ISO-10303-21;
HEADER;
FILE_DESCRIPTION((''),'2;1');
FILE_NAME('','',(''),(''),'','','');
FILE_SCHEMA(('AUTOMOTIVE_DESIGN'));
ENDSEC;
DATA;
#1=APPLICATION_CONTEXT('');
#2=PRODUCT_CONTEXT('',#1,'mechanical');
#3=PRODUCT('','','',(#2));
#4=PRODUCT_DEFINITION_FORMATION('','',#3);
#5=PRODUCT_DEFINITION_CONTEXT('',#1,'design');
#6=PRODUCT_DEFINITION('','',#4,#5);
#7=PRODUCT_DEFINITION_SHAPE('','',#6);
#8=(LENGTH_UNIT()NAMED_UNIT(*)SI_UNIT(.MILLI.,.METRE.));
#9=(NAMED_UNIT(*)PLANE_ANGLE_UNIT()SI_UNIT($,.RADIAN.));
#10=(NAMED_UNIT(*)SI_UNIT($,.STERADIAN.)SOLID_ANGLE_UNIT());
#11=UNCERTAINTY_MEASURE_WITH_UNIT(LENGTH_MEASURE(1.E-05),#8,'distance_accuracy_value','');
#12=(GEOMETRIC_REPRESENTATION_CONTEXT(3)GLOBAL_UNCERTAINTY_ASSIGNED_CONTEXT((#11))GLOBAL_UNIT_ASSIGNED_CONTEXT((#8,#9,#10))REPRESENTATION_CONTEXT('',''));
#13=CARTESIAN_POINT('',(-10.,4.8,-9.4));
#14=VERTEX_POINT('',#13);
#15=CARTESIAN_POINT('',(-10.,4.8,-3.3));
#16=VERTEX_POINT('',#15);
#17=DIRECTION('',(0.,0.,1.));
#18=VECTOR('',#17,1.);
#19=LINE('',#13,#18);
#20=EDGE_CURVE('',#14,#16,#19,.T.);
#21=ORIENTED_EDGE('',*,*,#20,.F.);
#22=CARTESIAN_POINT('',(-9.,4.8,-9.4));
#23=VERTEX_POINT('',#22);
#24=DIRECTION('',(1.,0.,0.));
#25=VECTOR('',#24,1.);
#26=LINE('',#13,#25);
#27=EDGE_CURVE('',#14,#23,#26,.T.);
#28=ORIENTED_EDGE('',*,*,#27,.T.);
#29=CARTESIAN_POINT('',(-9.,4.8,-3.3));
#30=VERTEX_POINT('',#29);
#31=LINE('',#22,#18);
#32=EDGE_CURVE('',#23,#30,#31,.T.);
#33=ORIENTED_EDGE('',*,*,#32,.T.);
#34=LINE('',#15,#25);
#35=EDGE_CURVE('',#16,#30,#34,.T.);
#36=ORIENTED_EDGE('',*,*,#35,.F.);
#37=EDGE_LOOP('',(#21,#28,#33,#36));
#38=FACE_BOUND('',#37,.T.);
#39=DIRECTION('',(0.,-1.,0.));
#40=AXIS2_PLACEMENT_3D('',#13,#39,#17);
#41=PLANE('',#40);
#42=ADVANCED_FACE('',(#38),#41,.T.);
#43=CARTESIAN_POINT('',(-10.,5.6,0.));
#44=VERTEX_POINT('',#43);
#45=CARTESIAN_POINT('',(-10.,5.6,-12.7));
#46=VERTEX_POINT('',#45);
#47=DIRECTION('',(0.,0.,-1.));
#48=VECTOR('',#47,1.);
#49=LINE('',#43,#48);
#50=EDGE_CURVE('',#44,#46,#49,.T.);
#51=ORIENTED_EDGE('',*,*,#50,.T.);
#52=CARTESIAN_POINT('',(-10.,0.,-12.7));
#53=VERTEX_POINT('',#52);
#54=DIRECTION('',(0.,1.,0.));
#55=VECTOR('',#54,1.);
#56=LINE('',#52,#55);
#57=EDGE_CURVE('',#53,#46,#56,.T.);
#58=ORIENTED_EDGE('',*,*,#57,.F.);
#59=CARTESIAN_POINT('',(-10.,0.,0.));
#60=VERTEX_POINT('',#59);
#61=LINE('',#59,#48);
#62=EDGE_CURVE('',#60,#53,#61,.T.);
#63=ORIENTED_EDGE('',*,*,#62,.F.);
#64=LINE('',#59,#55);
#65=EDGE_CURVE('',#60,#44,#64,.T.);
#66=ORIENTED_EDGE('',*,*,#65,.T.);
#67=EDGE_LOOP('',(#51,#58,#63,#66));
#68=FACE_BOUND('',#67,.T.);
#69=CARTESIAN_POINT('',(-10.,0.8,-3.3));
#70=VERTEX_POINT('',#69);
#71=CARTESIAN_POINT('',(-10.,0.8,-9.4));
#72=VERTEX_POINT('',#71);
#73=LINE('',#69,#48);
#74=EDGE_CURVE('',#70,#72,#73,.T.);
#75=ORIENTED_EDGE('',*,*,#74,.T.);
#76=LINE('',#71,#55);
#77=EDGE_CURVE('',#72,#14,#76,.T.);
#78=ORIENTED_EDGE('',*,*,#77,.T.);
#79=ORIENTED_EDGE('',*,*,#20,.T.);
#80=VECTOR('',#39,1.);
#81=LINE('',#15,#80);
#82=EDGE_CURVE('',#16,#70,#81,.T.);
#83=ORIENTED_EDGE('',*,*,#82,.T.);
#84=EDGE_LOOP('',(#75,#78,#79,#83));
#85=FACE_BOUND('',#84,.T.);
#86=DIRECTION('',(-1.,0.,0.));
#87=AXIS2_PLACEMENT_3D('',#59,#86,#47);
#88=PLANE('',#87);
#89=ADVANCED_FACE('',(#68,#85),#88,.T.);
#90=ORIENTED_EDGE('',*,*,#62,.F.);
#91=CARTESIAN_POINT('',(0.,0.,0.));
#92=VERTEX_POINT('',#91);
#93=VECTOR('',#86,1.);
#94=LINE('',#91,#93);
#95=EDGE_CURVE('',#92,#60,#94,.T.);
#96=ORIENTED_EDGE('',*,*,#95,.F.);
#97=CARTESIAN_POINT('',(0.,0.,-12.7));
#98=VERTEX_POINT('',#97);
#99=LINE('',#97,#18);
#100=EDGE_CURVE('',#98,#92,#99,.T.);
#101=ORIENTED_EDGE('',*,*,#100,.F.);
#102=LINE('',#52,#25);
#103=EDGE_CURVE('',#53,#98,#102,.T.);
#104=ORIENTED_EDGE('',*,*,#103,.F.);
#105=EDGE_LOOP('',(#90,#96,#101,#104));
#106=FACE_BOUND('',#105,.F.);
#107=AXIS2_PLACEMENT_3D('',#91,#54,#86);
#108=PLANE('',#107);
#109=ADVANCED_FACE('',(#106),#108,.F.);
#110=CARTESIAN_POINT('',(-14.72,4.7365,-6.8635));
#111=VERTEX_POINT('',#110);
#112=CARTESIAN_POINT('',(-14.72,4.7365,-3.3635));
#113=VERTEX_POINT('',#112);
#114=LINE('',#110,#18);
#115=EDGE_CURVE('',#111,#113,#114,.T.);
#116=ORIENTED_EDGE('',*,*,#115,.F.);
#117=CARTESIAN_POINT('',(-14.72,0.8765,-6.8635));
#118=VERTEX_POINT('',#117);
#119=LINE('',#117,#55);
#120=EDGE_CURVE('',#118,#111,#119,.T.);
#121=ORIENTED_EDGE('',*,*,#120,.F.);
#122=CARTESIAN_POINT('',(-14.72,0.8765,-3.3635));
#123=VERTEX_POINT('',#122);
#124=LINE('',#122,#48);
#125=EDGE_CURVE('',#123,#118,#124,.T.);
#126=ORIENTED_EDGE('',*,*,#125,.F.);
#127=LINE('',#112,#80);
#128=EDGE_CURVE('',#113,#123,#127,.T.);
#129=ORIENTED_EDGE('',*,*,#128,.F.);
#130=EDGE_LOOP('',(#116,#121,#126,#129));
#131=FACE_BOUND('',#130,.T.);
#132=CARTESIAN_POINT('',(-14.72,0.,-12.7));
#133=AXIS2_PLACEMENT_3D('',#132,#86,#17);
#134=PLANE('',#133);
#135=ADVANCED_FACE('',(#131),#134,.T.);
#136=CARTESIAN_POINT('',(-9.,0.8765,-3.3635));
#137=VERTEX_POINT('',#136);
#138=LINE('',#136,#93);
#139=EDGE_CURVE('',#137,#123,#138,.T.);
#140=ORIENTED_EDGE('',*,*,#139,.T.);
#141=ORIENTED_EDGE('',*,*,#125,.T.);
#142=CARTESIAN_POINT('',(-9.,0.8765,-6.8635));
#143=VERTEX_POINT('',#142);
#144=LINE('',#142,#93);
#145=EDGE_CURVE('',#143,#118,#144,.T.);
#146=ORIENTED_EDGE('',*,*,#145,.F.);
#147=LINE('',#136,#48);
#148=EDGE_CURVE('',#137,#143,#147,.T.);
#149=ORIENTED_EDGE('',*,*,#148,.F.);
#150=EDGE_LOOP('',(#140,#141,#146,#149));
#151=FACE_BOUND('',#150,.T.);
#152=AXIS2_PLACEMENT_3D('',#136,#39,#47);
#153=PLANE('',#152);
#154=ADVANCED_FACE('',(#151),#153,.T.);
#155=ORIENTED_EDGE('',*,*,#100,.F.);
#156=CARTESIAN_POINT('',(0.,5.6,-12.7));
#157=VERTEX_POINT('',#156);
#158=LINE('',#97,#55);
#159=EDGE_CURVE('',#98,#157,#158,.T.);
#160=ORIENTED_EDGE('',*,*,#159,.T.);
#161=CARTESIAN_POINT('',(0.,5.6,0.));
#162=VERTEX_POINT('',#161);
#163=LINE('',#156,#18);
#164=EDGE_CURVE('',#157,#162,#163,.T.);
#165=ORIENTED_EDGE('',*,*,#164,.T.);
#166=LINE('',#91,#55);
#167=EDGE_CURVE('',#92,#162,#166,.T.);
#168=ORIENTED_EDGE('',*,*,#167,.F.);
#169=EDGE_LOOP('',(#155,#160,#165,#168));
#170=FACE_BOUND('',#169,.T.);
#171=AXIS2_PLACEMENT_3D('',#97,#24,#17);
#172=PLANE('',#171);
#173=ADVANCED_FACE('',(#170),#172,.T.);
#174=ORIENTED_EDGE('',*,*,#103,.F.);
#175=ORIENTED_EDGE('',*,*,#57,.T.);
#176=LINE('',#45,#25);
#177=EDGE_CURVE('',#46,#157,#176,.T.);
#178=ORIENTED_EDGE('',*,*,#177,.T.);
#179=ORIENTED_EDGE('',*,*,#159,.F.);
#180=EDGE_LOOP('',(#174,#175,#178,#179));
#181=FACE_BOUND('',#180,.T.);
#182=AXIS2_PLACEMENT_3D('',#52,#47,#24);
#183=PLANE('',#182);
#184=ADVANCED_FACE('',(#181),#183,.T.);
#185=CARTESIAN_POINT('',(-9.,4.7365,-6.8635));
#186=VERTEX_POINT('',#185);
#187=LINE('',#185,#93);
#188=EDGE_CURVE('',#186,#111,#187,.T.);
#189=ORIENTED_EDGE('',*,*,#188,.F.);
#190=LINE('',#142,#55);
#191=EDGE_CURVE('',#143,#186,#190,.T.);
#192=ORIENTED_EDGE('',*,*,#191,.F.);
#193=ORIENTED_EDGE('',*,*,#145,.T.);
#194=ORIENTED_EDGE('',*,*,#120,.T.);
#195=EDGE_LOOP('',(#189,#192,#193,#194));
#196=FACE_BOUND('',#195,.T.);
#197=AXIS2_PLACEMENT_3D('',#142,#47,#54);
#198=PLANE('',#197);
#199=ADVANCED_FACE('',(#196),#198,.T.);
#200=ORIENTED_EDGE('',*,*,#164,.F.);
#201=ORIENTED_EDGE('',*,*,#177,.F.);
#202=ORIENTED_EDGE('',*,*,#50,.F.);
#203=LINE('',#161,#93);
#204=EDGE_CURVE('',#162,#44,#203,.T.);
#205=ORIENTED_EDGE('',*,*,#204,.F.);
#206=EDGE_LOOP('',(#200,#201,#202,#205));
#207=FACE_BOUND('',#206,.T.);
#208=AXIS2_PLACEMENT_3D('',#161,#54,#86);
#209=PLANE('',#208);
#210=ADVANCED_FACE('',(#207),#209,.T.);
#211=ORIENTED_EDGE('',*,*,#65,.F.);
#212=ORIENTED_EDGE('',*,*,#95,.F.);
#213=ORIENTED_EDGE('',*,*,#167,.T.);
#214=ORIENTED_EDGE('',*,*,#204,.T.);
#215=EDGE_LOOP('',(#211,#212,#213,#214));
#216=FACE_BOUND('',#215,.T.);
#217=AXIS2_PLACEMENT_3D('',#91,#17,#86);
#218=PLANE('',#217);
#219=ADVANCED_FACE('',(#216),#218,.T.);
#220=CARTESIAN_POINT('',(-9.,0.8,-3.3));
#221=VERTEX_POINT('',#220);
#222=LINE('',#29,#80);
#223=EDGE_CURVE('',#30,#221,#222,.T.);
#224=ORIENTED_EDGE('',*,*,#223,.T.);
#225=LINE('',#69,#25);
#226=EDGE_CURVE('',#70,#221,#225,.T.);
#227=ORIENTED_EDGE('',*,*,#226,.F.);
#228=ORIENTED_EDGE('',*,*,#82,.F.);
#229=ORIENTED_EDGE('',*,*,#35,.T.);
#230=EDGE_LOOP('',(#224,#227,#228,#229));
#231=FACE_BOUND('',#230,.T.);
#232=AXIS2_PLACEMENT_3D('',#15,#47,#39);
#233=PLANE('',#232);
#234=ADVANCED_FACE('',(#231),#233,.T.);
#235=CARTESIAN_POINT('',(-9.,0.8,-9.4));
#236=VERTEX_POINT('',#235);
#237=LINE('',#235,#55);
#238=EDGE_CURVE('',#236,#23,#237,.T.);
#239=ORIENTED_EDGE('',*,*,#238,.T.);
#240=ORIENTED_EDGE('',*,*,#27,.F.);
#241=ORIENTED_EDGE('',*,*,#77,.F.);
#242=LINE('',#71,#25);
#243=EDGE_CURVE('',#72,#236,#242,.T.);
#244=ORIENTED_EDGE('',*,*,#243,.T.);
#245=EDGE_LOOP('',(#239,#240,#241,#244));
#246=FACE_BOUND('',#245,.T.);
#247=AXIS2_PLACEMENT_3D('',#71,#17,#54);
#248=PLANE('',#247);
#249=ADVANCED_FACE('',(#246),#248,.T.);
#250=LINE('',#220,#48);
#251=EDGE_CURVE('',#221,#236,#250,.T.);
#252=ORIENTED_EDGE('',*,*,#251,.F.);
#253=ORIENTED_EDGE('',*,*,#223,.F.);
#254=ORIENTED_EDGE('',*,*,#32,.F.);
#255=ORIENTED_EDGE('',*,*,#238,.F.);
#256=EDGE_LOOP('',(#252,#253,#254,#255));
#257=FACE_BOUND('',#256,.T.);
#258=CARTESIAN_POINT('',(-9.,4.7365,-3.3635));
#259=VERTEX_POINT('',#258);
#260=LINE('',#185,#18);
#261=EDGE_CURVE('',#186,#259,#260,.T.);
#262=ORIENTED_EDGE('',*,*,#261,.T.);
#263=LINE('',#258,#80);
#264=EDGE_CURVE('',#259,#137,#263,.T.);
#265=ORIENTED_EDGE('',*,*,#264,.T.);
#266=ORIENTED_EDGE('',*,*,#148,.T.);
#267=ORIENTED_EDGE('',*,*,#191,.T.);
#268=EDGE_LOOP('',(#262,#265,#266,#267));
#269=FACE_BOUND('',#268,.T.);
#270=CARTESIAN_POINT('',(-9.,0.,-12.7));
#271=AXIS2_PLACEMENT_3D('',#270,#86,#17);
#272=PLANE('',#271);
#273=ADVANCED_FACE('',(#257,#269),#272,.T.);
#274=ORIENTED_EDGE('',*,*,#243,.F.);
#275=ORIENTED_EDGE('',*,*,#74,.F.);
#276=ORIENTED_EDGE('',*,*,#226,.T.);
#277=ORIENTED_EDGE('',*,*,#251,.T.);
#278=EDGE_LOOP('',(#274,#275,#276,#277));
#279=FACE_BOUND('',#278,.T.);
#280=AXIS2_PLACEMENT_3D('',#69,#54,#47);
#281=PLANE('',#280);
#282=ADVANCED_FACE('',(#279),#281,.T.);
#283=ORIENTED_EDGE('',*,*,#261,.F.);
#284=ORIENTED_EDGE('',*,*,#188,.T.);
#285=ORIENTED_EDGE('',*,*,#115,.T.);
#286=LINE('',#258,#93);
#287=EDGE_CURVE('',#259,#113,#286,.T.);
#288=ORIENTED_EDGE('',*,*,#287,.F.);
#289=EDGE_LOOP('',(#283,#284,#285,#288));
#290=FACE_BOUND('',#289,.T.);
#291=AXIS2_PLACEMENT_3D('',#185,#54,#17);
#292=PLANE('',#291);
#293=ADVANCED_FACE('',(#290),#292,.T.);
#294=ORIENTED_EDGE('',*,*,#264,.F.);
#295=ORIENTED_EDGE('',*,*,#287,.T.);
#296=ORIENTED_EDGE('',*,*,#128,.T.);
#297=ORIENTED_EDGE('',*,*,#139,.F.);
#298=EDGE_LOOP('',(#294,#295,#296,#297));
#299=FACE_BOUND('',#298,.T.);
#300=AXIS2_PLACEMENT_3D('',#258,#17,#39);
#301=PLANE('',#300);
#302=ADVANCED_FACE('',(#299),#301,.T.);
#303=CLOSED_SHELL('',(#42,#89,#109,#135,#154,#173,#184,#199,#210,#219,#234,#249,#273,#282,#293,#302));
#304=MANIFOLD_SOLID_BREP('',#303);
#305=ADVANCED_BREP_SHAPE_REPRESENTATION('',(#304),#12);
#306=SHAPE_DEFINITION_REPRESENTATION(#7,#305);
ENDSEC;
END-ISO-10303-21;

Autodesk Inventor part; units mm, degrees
ref_plane "YZ Plane" through (0, 0, 0) normal (1, 0, 0) x (0, 1, 0)
ref_plane "XZ Plane" through (0, 0, 0) normal (0, 1, 0) x (-1, 0, 0)
ref_plane "XY Plane" through (0, 0, 0) normal (0, 0, 1) x (1, 0, 0)
sketch "Sketch1" plane through (0, 0, 0) normal (0, 1, 0) x (-1, 0, 0)
  line L0 (0, 0) -> (10, 0)
  line L1 (10, 0) -> (10, -12.7)
  line L2 (10, -12.7) -> (0, -12.7)
  line L3 (0, -12.7) -> (0, 0)
  dimension "d0" = 10
  dimension "d1" = 12.7
extrude "Extrusion1" add sketch "Sketch1" along normal blind 5.6
sketch "Sketch2" plane through (-10, 0, -12.7) normal (-1, 0, 0) x (0, 0, 1)
  line L0 (3.3, 4.8) -> (9.4, 4.8)
  line L1 (9.4, 4.8) -> (9.4, 0.8)
  line L2 (9.4, 0.8) -> (3.3, 0.8)
  line L3 (3.3, 0.8) -> (3.3, 4.8)
  line L4 (0, 0) -> (0, 5.6) projected
  point P0 (12.7, 0)
  point P1 (6.35, 4.8)
  point P2 (9.4, 2.8)
  dimension "d4" = 6.1
  dimension "d5" = 4
  dimension "d6" = 2.8
  dimension "d7" = 6.35
extrude "Extrusion2" cut sketch "Sketch2" against normal blind 1
sketch "Sketch3" plane through (-9, 0, -12.7) normal (-1, 0, 0) x (0, 0, 1)
  line L0 (5.8365, 4.7365) -> (9.3365, 4.7365)
  line L1 (9.3365, 4.7365) -> (9.3365, 0.8765)
  line L2 (9.3365, 0.8765) -> (5.8365, 0.8765)
  line L3 (5.8365, 0.8765) -> (5.8365, 4.7365)
  line L4 (9.4, 4.8) -> (9.4, 0.8) projected
  line L5 (3.3, 4.8) -> (9.4, 4.8) projected
  point P0 (12.7, 0)
  dimension "d10" = 3.5
  dimension "d11" = 3.86
  dimension "d12" = 0.0635
  dimension "d13" = 0.0635
extrude "Extrusion3" add sketch "Sketch3" along normal blind 5.72
properties part number "103-5007-EV"
